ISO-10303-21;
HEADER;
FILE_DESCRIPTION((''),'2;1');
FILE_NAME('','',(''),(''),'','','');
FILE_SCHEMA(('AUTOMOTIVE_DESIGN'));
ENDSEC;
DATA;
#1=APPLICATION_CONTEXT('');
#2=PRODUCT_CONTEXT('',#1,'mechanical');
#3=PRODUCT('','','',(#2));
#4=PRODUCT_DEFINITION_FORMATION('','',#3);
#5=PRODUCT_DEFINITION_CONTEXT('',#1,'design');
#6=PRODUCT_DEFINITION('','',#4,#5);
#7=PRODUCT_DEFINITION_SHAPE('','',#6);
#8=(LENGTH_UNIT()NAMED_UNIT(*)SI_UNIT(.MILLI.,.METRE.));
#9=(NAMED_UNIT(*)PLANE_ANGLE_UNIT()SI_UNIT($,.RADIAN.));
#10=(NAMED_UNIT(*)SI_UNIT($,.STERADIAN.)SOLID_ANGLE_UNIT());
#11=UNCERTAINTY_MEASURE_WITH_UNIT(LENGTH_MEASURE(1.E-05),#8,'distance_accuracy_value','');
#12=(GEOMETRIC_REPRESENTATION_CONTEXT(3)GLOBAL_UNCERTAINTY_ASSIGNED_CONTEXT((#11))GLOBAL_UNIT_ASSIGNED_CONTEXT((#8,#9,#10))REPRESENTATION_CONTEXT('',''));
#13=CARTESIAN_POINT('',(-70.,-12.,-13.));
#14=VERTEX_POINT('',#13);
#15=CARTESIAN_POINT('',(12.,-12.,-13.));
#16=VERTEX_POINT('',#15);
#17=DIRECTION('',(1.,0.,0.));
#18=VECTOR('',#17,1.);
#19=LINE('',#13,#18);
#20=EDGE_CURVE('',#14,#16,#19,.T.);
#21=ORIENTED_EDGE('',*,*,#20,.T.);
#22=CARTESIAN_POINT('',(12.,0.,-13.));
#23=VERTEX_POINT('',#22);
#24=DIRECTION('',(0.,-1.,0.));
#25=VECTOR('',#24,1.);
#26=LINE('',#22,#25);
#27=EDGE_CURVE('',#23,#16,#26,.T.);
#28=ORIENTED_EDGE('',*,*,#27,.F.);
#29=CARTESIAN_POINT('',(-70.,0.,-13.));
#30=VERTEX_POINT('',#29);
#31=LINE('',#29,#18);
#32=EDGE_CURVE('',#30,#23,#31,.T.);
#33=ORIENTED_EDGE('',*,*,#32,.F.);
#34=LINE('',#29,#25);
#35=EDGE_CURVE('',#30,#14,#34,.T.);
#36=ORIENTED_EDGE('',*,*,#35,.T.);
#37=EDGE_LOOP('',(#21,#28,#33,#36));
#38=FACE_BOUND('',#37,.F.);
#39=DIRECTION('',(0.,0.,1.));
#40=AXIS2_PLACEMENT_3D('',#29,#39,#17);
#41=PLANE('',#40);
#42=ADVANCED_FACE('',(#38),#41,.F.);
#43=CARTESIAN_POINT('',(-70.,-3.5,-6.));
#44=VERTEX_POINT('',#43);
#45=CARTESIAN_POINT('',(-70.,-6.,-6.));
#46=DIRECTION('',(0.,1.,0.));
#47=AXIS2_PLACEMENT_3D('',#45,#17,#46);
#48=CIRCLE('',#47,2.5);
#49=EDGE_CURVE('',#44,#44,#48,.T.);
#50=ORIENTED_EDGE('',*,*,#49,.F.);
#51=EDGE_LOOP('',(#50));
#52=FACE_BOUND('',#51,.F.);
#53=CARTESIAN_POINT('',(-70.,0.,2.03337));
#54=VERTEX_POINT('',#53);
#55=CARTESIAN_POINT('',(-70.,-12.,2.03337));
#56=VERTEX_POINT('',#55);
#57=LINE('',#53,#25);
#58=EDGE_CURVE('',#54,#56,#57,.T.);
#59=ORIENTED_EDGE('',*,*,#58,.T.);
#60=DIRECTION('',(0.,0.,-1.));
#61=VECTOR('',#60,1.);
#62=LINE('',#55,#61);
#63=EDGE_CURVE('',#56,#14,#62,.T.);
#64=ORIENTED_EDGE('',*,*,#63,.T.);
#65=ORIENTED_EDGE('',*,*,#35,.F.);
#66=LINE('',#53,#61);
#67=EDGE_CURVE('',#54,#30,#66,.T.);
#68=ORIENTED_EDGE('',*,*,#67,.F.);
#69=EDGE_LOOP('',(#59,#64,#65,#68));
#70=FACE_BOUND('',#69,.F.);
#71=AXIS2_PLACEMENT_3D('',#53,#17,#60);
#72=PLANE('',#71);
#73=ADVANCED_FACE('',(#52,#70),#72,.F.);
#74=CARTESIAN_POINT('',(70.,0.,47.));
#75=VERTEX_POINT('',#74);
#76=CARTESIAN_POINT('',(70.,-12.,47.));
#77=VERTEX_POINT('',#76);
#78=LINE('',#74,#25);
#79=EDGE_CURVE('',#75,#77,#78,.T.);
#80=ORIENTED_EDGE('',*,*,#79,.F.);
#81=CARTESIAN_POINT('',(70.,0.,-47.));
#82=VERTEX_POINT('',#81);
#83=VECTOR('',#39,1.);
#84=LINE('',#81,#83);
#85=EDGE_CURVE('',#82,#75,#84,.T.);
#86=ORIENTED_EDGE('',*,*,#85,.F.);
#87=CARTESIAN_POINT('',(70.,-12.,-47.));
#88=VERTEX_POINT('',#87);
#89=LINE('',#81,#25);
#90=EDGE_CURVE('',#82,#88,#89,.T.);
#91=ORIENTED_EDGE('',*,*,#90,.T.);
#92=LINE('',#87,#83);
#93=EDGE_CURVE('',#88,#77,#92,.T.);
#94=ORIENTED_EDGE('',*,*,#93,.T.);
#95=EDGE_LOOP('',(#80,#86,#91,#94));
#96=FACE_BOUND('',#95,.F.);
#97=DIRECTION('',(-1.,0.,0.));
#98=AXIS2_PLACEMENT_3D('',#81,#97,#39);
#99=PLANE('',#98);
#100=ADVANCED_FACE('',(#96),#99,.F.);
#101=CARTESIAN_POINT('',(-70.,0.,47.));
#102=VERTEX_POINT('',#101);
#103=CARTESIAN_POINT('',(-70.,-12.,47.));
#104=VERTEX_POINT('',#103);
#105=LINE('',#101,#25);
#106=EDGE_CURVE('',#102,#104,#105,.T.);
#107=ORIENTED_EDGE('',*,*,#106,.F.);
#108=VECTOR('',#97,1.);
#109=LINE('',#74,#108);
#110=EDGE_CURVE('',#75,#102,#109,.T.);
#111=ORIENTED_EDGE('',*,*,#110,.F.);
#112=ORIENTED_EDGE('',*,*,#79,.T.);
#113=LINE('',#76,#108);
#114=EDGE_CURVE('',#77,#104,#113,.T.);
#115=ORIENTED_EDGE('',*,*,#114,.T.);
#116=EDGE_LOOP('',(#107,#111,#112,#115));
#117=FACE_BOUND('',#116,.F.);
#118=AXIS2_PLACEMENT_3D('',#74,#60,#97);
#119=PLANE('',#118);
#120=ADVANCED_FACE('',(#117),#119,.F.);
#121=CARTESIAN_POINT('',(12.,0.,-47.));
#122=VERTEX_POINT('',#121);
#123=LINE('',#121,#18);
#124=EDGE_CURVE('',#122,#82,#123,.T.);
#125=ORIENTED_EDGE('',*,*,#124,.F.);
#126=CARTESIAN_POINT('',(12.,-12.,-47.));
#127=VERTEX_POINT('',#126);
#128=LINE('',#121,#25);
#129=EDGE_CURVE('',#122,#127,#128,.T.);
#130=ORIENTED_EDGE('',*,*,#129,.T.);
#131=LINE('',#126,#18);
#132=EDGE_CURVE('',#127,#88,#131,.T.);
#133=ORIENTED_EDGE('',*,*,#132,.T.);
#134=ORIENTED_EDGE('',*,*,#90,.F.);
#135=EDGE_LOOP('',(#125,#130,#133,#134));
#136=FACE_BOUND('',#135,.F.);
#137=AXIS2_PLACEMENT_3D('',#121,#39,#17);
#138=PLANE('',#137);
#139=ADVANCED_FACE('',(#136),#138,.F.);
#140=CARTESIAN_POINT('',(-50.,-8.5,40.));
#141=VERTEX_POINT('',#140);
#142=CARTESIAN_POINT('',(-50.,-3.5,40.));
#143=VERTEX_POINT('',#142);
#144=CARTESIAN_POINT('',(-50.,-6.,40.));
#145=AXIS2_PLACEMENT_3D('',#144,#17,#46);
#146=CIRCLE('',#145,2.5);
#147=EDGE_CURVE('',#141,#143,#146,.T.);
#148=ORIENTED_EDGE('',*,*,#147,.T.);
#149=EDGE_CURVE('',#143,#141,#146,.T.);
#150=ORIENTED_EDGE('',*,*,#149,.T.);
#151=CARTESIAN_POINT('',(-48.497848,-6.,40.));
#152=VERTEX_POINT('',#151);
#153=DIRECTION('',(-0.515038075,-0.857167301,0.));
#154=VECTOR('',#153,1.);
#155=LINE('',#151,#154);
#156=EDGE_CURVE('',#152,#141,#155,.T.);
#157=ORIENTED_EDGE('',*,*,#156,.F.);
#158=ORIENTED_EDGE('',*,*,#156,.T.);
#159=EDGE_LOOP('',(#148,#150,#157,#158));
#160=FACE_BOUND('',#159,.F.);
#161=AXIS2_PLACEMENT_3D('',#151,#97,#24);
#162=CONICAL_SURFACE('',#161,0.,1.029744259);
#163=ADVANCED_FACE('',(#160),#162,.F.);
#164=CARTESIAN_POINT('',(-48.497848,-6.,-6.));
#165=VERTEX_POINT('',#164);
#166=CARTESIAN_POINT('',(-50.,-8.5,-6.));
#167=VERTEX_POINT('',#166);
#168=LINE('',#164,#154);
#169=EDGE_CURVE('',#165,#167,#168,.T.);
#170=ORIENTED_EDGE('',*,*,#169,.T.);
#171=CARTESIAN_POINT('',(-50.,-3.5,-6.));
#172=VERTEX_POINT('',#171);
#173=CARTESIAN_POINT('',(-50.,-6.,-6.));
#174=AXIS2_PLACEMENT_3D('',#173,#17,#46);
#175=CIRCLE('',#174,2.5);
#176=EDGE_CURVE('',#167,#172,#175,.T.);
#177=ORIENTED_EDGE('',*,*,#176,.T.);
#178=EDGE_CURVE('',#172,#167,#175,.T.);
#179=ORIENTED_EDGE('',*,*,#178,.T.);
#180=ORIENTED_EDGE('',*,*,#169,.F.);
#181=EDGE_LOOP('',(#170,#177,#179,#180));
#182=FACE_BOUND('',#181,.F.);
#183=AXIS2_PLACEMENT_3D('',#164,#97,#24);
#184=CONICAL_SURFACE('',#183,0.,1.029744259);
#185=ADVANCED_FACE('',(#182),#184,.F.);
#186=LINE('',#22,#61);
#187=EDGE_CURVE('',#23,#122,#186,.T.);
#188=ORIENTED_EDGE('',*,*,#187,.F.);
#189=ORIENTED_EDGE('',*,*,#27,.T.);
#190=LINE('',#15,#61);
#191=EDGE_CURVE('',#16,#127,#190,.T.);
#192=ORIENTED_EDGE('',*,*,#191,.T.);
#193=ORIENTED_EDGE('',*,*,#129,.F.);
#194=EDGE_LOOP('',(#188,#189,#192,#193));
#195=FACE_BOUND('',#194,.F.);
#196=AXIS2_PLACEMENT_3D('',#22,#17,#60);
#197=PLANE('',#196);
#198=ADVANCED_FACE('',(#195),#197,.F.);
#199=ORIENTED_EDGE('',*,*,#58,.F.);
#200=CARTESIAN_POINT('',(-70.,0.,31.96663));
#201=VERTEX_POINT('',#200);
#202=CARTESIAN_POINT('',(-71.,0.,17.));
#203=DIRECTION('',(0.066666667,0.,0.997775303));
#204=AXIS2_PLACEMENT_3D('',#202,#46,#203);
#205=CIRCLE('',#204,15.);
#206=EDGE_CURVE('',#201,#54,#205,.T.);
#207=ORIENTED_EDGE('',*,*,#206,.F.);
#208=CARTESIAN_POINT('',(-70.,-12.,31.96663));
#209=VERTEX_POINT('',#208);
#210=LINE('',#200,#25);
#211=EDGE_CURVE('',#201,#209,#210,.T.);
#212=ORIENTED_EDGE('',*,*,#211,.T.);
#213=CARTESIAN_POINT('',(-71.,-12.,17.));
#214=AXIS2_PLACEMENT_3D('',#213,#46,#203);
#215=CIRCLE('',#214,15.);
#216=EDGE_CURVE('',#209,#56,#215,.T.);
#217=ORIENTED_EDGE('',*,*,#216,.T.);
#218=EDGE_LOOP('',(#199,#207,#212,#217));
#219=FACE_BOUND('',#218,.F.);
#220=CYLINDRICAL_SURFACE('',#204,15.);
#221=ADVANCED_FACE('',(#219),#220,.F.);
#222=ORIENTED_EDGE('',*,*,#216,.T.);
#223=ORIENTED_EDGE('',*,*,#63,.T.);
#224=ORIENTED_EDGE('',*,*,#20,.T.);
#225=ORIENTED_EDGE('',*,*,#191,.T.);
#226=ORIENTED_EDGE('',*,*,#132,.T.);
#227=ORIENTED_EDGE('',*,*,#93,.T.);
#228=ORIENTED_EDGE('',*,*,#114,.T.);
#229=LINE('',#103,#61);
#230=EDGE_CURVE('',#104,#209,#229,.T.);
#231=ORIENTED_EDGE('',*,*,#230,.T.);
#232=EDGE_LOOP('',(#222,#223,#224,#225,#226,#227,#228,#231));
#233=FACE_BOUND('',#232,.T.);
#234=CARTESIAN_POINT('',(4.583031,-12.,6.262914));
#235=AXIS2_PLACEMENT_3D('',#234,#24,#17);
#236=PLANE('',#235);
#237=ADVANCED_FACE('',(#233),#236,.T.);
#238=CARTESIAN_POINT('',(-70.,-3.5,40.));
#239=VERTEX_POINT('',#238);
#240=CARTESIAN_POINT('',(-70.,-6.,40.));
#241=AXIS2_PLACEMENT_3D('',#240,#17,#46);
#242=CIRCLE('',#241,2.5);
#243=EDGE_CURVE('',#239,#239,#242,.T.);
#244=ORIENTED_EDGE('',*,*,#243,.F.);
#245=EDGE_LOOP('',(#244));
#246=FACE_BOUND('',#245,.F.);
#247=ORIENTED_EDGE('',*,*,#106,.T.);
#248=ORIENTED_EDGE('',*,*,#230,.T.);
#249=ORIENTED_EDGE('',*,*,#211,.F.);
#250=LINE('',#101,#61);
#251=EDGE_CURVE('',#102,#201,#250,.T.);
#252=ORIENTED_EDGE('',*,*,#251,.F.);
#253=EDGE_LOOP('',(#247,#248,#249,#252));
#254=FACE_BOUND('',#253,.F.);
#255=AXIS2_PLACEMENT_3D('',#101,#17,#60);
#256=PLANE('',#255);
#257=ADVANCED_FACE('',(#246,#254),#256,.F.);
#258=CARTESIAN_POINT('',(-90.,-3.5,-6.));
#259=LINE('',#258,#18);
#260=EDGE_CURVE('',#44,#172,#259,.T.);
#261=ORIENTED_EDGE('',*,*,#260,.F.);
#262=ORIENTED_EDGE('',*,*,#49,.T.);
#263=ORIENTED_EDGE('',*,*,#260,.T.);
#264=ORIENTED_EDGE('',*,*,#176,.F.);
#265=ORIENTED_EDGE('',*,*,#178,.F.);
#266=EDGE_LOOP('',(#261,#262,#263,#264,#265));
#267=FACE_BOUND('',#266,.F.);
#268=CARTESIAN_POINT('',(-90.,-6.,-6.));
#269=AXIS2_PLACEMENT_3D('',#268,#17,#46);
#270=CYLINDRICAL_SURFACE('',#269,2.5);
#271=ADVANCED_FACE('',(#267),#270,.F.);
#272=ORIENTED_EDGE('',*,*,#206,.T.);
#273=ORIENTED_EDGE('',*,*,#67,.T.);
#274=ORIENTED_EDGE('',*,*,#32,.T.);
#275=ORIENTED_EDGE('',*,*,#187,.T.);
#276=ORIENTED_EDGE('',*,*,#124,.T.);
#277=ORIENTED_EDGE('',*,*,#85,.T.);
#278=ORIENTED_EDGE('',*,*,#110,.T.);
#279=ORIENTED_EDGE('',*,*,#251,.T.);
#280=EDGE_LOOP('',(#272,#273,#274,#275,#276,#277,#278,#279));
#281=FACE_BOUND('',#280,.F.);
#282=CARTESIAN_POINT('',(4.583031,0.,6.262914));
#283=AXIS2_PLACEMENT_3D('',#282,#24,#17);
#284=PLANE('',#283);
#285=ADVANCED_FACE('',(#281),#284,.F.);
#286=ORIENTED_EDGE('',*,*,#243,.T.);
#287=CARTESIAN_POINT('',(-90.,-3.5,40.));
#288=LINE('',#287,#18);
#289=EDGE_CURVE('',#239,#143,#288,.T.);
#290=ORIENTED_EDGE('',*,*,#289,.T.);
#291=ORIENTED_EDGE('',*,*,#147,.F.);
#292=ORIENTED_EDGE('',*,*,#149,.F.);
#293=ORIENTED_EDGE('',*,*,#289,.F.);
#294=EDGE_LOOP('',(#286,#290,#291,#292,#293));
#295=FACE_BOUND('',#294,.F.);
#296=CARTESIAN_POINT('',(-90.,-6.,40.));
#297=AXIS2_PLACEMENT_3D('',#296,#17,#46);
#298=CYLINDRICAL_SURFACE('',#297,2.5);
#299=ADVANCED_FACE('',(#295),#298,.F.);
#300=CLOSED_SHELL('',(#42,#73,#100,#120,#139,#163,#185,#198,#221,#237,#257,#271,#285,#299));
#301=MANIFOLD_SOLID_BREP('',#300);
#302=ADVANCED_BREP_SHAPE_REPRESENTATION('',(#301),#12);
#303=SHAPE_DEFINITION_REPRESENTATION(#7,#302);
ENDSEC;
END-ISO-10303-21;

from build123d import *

# Parameters (mm, degrees)
F1_DEPTH = 12
F3_D     = 5
F3_DEPTH = 20
F3_TIP   = 1.5021515476


with BuildPart() as f1:
    # F0 (on Front) → F1 (new body)
    with BuildSketch(Plane.XZ):
        with BuildLine():
            Line((12, -47), (70, -47))
            Line((70, -47), (70, 47))
            Line((70, 47), (-70, 47))
            Line((-70, 47), (-70, 31.9666295471))
            ThreePointArc((-70, 31.9666295471), (-56, 17), (-70, 2.0333704529))
            Line((-70, 2.0333704529), (-70, -13))
            Line((-70, -13), (12, -13))
            Line((12, -13), (12, -47))
        make_face()
    extrude(amount=F1_DEPTH)

    # F3
    with Locations(Plane(origin=(-70, 0, 0), x_dir=(0, -1, 0), z_dir=(-1, 0, 0))):
        with Locations((6, 40), (6, -6)):
            Hole(F3_D / 2, depth=F3_DEPTH)
            with Locations((0, 0, -(F3_DEPTH + F3_TIP / 2))):  # 118° drill point
                Cone(0, F3_D / 2, F3_TIP, mode=Mode.SUBTRACT)


solid = f1.part
